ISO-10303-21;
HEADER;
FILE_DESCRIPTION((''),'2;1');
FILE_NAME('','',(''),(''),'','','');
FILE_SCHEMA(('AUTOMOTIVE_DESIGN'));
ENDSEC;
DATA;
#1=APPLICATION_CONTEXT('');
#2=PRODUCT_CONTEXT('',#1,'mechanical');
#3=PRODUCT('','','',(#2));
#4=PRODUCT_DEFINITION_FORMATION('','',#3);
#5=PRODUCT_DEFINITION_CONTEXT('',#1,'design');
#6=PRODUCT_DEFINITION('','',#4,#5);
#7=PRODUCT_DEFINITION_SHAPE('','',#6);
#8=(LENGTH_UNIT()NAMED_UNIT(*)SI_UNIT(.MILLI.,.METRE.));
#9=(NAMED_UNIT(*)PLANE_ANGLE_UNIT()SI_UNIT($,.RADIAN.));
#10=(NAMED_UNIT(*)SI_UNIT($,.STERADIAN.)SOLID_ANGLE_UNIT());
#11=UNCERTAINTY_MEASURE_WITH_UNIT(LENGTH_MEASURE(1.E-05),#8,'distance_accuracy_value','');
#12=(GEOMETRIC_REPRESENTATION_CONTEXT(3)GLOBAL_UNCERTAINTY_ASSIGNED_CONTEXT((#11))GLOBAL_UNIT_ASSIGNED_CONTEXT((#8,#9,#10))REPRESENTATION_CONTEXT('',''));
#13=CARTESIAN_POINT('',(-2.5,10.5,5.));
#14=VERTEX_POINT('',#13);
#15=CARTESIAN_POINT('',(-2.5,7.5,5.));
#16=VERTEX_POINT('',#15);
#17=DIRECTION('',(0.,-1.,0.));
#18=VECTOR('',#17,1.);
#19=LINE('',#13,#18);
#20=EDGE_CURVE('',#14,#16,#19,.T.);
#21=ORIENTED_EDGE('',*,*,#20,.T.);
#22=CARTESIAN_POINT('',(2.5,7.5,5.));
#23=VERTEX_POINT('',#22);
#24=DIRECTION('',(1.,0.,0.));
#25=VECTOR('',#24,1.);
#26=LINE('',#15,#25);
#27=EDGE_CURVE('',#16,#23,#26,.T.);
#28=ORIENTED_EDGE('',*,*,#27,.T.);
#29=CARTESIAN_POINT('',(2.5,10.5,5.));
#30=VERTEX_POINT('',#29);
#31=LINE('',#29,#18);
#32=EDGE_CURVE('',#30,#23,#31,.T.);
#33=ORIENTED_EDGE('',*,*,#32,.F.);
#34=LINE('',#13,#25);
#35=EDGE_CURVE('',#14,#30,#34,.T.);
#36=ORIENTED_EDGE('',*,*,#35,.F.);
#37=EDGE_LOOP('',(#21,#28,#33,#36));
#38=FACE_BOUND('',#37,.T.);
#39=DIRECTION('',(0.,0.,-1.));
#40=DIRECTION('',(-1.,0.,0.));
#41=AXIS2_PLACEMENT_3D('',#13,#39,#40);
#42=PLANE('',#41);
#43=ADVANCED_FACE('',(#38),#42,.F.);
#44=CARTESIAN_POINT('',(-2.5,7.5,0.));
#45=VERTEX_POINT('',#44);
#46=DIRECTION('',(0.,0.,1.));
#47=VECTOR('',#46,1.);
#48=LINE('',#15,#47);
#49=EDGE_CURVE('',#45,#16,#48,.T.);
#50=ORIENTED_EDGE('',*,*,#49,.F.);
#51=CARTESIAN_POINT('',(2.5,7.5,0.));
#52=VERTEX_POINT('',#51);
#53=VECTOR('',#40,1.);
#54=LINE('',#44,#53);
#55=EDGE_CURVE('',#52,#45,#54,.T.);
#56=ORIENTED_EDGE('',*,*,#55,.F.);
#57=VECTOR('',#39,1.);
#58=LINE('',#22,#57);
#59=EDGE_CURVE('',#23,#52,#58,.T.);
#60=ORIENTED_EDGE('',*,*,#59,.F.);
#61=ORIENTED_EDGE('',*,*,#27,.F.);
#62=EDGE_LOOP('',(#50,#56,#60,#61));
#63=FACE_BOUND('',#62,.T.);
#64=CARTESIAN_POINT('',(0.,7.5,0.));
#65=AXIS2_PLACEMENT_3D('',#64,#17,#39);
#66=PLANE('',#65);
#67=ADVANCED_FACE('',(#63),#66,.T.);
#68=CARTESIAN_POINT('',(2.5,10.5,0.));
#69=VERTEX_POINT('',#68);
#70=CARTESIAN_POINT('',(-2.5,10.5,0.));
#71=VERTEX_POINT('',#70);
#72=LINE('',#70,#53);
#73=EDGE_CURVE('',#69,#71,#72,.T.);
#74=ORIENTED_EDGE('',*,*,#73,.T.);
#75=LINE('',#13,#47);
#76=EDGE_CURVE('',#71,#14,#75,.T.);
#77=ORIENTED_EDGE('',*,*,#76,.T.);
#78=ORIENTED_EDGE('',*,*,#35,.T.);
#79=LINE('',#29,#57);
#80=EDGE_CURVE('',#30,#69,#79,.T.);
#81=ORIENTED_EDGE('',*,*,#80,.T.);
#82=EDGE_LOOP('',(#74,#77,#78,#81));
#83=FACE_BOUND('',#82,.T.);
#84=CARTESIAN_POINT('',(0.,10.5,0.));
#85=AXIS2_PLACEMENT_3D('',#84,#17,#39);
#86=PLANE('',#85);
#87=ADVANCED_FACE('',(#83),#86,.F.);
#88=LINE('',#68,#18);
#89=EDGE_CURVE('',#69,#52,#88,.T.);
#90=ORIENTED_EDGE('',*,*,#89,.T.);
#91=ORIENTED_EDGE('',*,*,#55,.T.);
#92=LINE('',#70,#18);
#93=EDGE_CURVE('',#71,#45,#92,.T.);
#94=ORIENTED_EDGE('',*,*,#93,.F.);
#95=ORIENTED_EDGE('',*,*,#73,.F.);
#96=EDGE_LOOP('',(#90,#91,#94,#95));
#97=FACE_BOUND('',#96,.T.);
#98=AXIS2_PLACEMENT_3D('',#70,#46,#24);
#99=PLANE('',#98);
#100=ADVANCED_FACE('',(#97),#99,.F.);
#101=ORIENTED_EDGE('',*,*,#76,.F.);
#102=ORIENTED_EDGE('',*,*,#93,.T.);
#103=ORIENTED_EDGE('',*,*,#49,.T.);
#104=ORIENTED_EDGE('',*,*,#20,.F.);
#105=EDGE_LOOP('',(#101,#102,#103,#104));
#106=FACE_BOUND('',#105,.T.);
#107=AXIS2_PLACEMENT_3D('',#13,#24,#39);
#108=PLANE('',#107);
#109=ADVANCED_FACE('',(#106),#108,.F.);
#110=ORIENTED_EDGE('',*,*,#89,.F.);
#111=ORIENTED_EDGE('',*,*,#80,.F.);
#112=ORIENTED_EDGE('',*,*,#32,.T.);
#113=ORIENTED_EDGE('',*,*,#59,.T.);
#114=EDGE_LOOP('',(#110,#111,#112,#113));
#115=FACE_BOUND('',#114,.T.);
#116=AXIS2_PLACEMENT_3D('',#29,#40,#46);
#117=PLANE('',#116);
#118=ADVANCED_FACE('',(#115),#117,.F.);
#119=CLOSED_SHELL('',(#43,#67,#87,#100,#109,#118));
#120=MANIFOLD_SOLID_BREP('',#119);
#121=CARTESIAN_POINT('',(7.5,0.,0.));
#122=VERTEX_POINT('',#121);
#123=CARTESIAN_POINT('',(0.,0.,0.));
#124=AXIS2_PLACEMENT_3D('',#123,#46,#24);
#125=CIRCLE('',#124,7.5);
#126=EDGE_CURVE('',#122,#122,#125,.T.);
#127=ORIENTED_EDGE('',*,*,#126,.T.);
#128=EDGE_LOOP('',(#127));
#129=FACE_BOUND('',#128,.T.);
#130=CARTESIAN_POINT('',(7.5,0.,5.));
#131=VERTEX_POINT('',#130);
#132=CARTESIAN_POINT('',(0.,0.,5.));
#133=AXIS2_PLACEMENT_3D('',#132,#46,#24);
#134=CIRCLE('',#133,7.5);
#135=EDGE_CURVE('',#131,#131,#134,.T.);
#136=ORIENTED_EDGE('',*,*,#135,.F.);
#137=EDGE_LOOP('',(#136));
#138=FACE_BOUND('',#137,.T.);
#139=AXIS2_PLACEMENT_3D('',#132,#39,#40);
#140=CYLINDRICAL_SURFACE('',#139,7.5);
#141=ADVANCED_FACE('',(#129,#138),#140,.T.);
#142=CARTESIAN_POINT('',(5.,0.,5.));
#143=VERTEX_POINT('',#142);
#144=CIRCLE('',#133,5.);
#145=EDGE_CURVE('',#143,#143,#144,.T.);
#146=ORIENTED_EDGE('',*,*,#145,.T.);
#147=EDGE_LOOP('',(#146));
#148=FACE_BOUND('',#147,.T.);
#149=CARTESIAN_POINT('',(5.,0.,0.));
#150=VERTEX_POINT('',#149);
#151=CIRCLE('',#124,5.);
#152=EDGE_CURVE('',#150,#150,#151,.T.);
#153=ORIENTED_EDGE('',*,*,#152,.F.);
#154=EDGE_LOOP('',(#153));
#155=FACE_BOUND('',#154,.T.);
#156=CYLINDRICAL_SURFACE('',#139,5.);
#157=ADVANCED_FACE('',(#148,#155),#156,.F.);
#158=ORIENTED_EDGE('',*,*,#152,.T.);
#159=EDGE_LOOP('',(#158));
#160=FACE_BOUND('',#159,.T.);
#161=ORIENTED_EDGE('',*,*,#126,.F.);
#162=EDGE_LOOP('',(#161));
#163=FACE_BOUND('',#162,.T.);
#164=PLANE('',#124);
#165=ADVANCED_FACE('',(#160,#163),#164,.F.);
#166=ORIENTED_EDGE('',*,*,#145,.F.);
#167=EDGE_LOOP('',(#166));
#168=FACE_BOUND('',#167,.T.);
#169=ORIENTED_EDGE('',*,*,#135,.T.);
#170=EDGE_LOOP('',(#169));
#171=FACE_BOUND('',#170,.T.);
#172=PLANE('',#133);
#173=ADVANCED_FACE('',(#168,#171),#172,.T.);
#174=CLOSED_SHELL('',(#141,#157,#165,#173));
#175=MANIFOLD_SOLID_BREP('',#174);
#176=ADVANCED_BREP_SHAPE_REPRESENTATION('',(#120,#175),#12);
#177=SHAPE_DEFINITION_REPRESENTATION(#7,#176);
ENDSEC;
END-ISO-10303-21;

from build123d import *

# Parameters (mm, degrees)
SKETCH1_R           = 7.5
SKETCH1_R_2         = 5
BOSS_EXTRUDE1_DEPTH = 5
SKETCH2_W           = 5
SKETCH2_H           = 5
BOSS_EXTRUDE2_DEPTH = 3


with BuildPart() as part:
    # Sketch1 → Boss-Extrude1 (new body)
    with BuildSketch(Plane.XY):
        Circle(SKETCH1_R)
        Circle(SKETCH1_R_2, mode=Mode.SUBTRACT)
    extrude(amount=BOSS_EXTRUDE1_DEPTH)


with BuildPart() as body_2:
    # Sketch2 → Boss-Extrude2 (new body)
    with BuildSketch(Plane(origin=(0, 7.5, 0), x_dir=(1, 0, 0), z_dir=(0, 1, 0))):
        with Locations((0, -2.5)):
            Rectangle(SKETCH2_W, SKETCH2_H)
    extrude(amount=BOSS_EXTRUDE2_DEPTH)


solid = Compound([part.part, body_2.part])
